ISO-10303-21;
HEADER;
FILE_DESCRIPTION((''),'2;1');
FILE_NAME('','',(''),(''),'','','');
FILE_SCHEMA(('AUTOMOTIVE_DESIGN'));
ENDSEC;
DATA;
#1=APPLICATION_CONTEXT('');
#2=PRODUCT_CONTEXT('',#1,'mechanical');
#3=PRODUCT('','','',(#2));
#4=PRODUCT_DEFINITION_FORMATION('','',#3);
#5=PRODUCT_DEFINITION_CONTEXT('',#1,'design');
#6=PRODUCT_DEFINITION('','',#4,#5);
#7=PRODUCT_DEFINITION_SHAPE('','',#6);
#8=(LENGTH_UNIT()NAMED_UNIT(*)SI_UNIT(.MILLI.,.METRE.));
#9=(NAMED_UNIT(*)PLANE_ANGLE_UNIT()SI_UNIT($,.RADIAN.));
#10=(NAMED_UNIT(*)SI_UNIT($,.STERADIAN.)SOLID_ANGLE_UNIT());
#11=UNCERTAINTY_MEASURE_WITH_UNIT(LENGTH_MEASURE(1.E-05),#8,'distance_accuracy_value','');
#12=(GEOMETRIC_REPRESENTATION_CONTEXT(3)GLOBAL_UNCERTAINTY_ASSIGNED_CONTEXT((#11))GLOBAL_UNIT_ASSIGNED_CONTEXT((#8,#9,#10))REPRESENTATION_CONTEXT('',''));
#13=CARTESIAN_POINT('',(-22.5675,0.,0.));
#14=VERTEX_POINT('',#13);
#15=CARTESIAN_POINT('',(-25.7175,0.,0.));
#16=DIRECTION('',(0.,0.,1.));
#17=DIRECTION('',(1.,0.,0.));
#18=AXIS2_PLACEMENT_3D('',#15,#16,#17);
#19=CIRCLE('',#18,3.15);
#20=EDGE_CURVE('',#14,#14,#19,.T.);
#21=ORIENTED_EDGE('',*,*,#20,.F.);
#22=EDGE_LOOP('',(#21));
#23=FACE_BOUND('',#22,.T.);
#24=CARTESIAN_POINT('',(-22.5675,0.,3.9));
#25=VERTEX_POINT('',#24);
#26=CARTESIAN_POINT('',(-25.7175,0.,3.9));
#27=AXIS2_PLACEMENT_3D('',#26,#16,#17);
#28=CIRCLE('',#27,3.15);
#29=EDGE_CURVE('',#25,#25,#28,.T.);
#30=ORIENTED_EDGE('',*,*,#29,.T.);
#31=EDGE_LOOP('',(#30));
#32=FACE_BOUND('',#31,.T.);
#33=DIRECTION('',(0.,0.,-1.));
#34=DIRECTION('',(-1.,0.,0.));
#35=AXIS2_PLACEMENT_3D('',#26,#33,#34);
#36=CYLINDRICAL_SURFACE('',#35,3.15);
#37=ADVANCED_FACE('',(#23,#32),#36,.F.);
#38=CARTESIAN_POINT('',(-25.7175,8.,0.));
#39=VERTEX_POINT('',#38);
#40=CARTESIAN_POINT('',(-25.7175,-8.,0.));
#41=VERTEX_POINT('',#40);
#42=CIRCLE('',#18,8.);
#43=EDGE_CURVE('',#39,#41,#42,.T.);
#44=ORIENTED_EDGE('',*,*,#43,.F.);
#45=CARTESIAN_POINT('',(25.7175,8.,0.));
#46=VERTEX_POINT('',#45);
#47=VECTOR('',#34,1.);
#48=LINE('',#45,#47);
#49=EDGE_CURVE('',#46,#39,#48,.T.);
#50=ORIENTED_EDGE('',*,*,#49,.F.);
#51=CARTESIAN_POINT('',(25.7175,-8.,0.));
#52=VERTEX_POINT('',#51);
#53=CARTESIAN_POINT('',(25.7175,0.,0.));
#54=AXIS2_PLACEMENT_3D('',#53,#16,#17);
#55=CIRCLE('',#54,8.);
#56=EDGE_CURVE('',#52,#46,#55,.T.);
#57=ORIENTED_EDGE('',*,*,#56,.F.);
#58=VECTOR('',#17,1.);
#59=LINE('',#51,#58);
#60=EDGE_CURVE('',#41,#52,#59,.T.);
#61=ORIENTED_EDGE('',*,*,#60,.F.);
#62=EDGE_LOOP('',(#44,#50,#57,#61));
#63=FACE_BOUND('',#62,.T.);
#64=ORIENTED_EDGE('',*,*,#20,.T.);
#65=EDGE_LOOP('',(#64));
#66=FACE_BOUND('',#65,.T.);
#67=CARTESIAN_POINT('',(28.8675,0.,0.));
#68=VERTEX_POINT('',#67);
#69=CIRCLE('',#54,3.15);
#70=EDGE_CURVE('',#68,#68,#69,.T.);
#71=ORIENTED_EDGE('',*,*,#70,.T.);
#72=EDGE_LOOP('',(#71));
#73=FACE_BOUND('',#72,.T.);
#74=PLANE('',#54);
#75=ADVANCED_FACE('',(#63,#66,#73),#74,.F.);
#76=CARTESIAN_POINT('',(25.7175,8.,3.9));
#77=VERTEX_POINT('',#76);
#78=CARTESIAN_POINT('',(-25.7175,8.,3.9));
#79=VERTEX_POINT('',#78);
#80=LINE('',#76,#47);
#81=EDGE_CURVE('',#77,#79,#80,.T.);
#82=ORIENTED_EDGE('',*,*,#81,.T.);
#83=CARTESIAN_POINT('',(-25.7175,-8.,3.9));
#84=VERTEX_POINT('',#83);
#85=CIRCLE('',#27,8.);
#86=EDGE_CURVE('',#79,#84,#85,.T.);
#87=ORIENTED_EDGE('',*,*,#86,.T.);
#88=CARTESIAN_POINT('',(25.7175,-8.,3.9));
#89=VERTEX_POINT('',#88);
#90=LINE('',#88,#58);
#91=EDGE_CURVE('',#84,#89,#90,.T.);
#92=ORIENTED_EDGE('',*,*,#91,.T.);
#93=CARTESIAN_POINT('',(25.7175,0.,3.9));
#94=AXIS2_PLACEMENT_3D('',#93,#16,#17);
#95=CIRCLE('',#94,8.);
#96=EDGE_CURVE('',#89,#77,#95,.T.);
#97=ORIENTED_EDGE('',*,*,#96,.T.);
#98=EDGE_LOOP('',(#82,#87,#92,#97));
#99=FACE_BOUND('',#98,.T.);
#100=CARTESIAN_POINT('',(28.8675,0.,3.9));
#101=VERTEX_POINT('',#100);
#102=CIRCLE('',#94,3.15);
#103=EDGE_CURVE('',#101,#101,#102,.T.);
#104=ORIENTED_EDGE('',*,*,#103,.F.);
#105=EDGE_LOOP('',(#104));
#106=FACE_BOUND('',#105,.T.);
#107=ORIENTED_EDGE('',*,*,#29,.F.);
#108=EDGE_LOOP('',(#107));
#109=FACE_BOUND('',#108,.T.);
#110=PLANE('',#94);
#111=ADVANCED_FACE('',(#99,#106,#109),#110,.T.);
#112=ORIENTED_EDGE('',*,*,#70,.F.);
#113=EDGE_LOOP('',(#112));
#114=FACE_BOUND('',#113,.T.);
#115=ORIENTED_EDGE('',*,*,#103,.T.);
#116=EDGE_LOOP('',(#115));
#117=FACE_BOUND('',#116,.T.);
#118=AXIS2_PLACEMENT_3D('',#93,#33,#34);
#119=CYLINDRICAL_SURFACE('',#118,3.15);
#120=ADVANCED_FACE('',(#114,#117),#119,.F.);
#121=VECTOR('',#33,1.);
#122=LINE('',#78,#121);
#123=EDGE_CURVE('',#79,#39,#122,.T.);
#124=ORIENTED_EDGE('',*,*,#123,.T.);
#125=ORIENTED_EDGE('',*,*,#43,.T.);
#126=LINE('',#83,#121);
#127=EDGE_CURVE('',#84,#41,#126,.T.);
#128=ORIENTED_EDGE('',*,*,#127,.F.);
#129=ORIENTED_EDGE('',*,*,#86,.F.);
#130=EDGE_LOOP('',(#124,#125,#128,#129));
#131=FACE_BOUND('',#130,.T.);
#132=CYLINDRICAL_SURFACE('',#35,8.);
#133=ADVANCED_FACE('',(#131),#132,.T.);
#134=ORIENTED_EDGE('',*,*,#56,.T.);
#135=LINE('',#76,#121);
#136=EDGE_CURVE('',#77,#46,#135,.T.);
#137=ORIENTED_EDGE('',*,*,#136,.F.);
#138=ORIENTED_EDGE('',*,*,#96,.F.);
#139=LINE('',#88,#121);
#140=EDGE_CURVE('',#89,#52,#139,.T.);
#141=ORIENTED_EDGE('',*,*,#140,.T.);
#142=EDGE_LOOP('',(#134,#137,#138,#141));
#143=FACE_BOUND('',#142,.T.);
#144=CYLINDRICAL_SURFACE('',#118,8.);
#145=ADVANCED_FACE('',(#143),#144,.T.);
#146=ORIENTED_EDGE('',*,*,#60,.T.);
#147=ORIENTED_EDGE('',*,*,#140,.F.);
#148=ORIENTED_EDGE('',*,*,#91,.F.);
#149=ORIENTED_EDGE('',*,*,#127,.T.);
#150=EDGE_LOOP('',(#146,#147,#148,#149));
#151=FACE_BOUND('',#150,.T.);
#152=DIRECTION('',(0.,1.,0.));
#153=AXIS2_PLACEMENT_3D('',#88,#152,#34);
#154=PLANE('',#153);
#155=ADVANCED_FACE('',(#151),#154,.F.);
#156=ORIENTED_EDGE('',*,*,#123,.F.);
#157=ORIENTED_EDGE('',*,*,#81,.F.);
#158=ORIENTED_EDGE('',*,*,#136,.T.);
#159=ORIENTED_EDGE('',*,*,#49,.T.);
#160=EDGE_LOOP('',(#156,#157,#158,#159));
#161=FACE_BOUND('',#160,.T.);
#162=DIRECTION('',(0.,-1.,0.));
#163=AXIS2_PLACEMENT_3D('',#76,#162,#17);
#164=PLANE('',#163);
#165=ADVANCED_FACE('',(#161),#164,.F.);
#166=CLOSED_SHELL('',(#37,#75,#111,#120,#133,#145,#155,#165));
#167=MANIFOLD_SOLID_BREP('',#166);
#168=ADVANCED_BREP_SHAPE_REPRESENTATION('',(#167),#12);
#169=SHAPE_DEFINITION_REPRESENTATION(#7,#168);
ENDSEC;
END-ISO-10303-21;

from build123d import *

# Parameters (mm, degrees)
SKETCH1_R           = 3.15
BOSS_EXTRUDE1_DEPTH = 3.9


with BuildPart() as part:
    # Sketch1 → Boss-Extrude1 (new body)
    with BuildSketch(Plane.XY):
        with BuildLine():
            Line((25.7175, -8), (-25.7175, -8))
            ThreePointArc((-25.7175, -8), (-33.7175, 0), (-25.7175, 8))
            Line((-25.7175, 8), (25.7175, 8))
            ThreePointArc((25.7175, 8), (33.7175, 0), (25.7175, -8))
        make_face()
        with Locations((25.7175, 0)):
            Circle(SKETCH1_R, mode=Mode.SUBTRACT)
        with Locations((-25.7175, 0)):
            Circle(SKETCH1_R, mode=Mode.SUBTRACT)
    extrude(amount=BOSS_EXTRUDE1_DEPTH)


solid = part.part
